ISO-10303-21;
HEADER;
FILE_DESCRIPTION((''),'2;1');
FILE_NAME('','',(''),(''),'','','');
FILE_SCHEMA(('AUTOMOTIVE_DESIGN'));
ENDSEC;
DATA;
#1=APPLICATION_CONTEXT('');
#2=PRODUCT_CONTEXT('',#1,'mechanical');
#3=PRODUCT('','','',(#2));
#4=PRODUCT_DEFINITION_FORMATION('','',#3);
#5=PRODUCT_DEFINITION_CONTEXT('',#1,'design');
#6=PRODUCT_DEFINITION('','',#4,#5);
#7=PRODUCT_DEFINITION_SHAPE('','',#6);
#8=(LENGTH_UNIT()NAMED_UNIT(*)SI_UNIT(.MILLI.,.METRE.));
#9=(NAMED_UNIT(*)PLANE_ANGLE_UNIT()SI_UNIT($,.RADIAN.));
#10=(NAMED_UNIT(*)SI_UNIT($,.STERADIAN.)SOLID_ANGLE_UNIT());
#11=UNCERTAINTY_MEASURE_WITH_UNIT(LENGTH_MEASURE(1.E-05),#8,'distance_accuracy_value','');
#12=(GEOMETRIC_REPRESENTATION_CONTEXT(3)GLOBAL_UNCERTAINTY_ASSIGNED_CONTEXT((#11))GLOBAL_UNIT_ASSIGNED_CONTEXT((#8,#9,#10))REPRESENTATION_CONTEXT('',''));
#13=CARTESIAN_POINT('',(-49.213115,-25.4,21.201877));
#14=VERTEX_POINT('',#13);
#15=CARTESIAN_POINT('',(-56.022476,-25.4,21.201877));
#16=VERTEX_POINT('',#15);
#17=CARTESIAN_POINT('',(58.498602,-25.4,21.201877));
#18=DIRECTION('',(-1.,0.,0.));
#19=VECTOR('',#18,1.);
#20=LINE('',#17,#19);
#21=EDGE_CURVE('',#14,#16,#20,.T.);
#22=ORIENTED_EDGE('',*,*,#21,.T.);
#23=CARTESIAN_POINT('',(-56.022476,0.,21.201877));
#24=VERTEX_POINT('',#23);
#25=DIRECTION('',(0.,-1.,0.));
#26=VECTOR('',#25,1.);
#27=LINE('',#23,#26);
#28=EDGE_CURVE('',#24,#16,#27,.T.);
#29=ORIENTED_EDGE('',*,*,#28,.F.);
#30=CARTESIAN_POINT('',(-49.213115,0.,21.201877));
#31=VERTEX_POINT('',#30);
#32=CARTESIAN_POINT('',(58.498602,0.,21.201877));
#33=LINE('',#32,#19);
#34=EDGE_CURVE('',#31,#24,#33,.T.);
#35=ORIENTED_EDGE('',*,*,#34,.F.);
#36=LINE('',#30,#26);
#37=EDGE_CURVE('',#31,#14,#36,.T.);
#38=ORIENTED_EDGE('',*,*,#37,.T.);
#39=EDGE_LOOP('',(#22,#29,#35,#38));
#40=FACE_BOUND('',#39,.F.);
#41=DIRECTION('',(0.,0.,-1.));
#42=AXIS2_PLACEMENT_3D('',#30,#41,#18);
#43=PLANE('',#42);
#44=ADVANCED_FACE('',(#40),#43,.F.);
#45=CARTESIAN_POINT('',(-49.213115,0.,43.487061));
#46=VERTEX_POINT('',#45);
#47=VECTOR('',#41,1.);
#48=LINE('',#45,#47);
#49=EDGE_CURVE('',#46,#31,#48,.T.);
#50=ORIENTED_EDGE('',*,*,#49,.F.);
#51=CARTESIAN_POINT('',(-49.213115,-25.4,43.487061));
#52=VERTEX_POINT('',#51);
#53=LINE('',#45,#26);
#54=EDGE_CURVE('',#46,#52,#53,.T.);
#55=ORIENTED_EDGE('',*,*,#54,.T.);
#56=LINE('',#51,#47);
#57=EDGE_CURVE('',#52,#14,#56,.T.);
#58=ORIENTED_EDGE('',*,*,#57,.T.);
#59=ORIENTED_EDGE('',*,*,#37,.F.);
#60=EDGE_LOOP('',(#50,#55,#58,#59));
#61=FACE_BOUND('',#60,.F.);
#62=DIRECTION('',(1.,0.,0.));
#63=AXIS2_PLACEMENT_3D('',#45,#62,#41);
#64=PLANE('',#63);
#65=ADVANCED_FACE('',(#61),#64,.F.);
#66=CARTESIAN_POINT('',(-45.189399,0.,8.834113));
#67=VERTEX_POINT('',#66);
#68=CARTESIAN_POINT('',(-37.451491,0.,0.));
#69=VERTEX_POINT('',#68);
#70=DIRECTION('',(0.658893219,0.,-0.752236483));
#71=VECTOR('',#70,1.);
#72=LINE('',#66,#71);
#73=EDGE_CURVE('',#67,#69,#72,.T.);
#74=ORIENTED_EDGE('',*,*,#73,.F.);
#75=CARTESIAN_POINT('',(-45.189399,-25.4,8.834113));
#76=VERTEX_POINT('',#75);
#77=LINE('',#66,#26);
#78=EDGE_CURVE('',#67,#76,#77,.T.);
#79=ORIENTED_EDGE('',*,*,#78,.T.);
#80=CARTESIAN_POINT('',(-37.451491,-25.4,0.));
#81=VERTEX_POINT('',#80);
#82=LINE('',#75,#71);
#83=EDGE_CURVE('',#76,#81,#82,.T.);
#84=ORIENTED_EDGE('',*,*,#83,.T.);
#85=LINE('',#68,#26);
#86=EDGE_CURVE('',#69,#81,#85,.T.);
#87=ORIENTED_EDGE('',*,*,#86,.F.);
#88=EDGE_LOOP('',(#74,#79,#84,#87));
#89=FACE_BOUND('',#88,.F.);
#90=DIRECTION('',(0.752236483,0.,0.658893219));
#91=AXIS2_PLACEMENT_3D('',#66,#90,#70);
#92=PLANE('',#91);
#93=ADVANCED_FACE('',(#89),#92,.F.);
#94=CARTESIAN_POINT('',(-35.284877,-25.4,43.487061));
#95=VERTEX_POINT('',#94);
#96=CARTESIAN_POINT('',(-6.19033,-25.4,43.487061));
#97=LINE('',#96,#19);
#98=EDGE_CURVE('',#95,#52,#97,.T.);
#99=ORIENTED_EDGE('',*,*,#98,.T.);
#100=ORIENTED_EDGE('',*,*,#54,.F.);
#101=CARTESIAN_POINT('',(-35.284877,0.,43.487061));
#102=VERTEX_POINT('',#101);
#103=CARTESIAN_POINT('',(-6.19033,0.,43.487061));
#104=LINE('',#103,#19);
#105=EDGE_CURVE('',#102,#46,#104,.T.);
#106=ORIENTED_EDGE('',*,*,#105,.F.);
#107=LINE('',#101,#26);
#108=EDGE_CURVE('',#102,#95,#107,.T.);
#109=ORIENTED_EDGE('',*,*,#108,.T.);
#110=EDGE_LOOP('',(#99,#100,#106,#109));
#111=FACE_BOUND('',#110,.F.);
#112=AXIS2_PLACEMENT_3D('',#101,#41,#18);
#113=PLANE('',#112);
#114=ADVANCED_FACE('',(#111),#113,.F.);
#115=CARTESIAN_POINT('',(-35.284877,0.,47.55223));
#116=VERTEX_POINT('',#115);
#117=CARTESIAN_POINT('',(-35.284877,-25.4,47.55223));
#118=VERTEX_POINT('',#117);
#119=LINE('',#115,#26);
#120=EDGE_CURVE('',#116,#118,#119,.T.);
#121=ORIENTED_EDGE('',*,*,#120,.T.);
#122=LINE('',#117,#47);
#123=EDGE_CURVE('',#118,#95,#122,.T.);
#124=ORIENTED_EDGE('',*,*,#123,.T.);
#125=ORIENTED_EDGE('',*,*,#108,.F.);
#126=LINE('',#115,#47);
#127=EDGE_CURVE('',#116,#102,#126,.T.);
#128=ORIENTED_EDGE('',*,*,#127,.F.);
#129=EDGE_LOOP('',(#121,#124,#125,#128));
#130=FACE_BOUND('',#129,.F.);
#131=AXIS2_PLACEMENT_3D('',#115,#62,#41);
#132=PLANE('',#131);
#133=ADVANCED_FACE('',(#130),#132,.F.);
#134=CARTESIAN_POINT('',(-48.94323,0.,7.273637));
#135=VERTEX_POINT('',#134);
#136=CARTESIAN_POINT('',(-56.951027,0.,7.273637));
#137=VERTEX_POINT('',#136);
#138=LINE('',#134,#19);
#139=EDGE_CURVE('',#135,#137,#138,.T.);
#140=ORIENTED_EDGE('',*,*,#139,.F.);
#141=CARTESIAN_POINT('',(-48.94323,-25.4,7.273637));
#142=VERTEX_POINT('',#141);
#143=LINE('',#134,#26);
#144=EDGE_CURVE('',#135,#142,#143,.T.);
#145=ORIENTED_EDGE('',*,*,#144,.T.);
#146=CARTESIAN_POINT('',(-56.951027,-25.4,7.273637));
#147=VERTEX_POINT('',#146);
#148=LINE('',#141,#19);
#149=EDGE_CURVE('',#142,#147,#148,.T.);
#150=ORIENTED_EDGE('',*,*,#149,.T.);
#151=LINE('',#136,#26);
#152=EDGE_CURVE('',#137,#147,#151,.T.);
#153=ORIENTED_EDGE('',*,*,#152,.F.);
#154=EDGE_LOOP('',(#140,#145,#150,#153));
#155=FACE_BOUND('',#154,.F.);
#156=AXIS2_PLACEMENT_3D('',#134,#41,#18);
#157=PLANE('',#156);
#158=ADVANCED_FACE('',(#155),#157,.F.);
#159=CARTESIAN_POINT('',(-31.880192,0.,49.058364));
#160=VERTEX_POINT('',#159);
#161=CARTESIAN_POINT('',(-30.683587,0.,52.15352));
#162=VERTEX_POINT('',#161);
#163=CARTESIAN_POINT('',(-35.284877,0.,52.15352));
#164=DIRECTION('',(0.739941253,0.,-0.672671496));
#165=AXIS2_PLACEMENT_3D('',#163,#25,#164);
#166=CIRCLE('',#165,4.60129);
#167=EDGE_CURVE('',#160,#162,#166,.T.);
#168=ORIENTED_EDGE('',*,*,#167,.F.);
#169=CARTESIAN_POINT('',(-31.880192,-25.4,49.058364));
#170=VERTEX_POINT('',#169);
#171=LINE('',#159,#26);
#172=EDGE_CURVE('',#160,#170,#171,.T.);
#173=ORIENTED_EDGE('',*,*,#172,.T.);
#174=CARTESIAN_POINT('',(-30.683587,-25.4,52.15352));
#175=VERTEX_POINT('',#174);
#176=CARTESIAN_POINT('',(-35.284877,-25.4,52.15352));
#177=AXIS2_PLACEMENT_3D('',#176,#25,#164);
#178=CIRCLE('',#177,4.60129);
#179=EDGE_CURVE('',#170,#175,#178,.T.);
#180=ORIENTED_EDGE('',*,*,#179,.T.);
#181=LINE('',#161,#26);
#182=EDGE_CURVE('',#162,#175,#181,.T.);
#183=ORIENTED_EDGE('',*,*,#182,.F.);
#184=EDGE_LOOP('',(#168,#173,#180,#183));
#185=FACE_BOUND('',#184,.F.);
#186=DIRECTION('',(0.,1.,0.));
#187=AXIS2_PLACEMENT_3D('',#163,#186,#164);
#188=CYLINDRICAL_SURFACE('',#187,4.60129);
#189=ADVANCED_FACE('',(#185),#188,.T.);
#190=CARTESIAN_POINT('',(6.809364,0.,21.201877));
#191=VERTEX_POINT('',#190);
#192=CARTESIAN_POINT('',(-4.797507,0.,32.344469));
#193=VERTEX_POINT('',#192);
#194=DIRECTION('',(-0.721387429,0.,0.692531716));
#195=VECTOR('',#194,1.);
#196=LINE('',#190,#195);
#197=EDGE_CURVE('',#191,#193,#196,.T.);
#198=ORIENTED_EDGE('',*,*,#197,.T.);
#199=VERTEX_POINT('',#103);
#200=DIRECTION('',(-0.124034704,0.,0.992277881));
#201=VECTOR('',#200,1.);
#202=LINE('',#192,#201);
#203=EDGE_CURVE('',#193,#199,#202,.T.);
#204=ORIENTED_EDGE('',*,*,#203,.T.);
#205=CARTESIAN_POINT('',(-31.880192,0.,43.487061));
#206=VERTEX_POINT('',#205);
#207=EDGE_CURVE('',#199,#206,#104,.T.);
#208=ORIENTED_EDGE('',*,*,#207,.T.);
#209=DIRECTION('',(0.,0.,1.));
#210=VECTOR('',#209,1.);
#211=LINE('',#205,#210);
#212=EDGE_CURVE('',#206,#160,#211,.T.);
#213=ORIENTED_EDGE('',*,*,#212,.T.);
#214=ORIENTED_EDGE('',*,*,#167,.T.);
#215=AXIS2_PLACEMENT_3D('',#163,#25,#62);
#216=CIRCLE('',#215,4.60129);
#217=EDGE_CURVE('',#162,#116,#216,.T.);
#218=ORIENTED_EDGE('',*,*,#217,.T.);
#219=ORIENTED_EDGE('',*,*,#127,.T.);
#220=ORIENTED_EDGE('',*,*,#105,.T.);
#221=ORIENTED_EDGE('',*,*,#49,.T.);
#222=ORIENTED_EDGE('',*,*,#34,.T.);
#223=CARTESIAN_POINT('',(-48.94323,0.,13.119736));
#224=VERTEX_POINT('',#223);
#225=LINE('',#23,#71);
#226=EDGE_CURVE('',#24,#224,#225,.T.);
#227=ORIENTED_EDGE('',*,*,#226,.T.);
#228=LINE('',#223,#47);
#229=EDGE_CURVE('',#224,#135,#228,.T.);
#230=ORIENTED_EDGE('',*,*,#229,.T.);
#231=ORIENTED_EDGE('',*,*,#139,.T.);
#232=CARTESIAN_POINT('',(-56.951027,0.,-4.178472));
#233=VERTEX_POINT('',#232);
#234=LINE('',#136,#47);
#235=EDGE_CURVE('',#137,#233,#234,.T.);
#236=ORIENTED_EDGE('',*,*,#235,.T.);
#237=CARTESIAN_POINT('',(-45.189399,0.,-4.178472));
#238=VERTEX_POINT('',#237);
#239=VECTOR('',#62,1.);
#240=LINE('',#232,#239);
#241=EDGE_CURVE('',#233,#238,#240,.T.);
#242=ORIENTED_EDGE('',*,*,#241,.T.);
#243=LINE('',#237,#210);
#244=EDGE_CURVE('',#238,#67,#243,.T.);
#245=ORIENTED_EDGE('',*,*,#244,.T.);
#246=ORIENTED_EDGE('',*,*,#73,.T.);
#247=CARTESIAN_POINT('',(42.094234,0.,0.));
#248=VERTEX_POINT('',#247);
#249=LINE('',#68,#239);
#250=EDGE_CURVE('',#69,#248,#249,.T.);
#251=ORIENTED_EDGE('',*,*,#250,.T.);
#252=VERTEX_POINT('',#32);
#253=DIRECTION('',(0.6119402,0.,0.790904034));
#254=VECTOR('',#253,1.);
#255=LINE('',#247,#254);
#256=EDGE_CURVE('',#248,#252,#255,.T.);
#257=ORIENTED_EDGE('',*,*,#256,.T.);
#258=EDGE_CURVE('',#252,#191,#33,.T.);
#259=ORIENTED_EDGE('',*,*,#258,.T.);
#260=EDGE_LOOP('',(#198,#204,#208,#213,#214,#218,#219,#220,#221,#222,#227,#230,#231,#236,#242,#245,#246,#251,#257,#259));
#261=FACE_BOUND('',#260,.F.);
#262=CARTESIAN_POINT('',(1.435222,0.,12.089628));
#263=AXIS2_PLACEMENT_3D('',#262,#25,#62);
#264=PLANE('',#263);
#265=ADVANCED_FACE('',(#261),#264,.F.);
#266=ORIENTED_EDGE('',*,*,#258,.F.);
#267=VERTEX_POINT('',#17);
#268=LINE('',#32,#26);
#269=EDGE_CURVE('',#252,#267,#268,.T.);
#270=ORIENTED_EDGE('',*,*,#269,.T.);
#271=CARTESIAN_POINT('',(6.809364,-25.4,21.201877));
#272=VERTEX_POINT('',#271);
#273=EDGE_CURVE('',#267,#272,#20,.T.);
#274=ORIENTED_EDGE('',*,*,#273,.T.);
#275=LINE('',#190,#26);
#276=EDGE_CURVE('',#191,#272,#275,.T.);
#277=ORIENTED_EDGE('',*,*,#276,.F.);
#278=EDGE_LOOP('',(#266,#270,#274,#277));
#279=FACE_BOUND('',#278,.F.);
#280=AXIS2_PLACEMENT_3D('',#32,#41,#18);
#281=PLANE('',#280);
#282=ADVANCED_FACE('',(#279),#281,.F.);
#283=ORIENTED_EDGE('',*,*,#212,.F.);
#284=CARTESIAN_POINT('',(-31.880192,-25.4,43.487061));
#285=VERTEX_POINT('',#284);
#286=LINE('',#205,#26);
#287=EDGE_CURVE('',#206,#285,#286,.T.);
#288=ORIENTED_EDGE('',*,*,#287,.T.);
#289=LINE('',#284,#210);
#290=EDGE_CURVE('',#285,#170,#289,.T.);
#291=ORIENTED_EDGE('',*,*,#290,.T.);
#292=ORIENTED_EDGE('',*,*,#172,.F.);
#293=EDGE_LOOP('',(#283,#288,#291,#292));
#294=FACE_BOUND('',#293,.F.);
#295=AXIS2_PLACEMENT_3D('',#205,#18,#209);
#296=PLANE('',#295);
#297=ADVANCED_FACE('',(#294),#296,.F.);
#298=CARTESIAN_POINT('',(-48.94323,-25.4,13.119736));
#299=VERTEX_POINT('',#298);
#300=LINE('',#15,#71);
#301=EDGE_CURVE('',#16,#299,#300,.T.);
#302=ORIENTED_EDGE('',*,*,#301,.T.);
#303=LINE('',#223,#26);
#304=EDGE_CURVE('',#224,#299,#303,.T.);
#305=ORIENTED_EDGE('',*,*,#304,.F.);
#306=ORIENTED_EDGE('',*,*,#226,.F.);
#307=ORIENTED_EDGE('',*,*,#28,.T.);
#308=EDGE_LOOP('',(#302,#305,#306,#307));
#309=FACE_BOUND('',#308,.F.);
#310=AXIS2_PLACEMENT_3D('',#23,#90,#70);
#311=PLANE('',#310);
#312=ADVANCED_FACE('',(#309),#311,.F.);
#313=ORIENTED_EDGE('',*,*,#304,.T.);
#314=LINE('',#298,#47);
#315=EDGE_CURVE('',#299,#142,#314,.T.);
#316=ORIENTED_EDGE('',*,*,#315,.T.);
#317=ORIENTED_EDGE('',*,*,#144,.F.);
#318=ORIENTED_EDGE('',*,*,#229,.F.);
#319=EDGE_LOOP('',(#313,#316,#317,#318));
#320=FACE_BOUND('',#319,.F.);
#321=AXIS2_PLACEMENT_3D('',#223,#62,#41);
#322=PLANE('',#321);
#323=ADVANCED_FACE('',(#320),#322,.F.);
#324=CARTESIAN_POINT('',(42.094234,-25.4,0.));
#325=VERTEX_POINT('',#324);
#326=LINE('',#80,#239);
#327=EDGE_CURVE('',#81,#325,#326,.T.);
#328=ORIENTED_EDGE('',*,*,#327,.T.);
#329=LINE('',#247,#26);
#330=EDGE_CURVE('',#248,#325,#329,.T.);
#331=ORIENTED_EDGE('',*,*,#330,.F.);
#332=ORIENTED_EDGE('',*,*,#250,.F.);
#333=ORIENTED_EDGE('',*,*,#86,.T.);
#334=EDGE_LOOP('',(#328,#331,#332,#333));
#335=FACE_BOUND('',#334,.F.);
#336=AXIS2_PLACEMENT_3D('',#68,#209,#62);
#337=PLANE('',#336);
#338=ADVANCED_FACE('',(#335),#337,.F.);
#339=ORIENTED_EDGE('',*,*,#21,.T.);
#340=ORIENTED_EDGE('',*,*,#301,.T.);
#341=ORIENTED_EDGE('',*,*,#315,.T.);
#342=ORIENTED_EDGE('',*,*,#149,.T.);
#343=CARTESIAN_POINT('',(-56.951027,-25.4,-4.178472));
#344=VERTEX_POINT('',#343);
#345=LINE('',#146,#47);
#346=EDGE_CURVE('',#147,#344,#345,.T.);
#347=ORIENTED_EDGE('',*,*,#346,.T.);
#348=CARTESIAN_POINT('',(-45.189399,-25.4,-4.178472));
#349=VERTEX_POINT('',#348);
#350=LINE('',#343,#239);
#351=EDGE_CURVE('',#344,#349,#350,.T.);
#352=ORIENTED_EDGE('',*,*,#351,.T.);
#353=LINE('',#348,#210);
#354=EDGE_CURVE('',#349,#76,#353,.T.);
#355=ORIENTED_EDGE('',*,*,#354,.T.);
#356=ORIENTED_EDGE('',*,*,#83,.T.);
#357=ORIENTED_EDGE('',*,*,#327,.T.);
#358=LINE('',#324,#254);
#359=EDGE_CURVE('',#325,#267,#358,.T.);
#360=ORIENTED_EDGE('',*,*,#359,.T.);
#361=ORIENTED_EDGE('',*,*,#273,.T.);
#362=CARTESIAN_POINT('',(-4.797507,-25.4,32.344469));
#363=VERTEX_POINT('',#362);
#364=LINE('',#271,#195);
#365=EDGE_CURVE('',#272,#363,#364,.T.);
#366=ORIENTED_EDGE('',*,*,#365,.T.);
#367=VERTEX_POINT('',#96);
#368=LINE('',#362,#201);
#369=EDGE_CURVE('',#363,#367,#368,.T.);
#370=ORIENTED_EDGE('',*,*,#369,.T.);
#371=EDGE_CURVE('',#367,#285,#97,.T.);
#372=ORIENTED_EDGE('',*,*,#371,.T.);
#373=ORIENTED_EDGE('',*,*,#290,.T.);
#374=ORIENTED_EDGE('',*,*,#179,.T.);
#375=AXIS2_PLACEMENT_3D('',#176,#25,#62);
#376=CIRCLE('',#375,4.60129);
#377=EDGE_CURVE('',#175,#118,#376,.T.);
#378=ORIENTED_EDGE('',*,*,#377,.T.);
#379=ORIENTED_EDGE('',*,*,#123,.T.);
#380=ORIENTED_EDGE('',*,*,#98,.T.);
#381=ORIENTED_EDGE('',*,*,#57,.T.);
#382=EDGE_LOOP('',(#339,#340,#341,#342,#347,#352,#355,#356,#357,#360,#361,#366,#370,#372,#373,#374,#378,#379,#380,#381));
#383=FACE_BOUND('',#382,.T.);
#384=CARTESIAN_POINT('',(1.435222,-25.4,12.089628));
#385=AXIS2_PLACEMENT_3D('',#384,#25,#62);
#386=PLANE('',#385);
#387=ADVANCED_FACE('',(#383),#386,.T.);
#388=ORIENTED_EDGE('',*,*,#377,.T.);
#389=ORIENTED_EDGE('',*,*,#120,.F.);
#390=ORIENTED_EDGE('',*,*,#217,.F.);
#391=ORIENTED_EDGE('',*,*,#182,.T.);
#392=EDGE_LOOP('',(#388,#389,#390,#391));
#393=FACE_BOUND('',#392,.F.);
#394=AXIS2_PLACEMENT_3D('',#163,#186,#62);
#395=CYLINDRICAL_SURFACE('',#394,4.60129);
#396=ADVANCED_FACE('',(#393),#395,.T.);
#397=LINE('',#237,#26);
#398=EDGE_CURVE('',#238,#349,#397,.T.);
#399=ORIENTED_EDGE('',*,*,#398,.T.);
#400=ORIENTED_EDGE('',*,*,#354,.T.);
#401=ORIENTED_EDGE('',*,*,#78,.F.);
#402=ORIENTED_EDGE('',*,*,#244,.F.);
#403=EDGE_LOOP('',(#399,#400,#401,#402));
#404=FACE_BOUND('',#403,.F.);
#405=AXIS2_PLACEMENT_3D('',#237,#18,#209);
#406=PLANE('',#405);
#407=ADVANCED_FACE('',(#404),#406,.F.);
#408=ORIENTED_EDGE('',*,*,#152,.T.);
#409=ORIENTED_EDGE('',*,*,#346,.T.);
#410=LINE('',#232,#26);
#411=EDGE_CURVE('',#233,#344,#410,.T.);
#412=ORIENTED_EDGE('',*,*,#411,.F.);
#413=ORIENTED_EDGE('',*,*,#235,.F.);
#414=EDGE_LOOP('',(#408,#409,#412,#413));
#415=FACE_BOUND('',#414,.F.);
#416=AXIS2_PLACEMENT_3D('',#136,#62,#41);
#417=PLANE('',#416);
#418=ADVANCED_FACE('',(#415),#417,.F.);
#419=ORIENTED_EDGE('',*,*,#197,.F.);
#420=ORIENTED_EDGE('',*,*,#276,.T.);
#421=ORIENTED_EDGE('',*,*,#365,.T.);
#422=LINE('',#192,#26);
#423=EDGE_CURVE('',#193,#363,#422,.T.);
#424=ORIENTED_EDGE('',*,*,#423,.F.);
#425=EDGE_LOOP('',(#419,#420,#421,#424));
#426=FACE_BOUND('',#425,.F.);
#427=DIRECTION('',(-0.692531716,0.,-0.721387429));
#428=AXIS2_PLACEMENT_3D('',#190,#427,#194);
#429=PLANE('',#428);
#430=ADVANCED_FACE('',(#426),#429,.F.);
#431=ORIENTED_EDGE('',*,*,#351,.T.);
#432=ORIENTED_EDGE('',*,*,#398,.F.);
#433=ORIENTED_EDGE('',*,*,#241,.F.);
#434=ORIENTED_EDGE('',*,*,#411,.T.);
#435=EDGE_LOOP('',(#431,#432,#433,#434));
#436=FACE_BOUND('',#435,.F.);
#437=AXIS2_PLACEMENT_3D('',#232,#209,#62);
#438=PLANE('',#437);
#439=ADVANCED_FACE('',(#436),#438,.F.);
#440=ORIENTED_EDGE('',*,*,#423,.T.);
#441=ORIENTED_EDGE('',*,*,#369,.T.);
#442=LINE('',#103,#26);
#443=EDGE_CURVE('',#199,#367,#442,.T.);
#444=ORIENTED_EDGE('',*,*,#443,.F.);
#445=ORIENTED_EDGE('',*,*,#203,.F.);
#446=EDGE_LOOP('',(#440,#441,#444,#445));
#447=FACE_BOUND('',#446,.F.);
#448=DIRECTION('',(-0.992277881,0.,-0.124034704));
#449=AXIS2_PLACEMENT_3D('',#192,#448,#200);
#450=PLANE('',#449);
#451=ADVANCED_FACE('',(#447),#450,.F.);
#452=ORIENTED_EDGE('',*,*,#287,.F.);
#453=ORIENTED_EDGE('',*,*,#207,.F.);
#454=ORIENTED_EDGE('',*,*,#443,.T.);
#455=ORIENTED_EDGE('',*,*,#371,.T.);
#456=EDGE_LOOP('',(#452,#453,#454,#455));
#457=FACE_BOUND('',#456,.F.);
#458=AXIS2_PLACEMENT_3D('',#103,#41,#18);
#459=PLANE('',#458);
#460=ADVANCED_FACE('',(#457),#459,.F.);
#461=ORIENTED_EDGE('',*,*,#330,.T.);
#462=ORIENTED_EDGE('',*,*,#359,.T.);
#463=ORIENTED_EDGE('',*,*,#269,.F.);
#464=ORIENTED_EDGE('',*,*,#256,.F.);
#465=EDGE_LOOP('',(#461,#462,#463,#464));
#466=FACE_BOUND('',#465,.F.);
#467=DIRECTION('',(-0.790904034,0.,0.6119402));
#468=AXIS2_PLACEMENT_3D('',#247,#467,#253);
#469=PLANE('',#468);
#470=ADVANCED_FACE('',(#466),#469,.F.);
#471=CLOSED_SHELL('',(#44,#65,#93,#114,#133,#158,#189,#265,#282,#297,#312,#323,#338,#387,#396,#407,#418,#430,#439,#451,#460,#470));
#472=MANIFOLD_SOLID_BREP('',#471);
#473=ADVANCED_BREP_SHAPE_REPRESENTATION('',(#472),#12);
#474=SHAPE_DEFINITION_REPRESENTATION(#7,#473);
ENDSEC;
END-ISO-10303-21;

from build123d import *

# Parameters (mm, degrees)
F1_DEPTH = 25.4


with BuildPart() as f1:
    # F0 (on Front) → F1 (new body)
    with BuildSketch(Plane.XZ):
        Polygon((-49.2131151259, 21.2018769234), (-56.0224764049, 21.2018769234), (-48.9432296743, 13.1197362788), (-45.1893992722, 8.8341129038), (-37.4514907598, 0), (42.0942343771, 0), (58.4986023605, 21.2018769234), (6.8093636073, 21.2018769234), (-3.4046829678, 21.2018769234), align=None)
        Polygon((-45.1893992722, 8.8341129038), (-48.9432296743, 13.1197362788), (-48.9432296743, 7.2736367583), (-56.9510273635, 7.2736367583), (-56.9510273635, -4.1784718633), (-45.1893992722, -4.1784718633), align=None)
        Polygon((-49.2131151259, 43.4870608151), (-49.2131151259, 21.2018769234), (-3.4046829678, 21.2018769234), (-4.7975066118, 32.3444688693), (-6.1903302558, 43.4870608151), (-31.8801924586, 43.4870608151), (-35.2848768234, 43.4870608151), align=None)
        Polygon((-4.7975066118, 32.3444688693), (-3.4046829678, 21.2018769234), (6.8093636073, 21.2018769234), align=None)
        with BuildLine():
            Line((-35.2848768234, 47.5522301825), (-35.2848768234, 43.4870608151))
            Line((-35.2848768234, 43.4870608151), (-31.8801924586, 43.4870608151))
            Line((-31.8801924586, 43.4870608151), (-31.8801924586, 49.0583635867))
            ThreePointArc((-31.8801924586, 49.0583635867), (-33.4234047275, 47.9455763399), (-35.2848768234, 47.5522301825))
        make_face()
        with BuildLine():
            ThreePointArc((-30.6835867198, 52.1535202861), (-38.5384802579, 55.4071237206), (-35.2848768234, 47.5522301825))
            Line((-35.2848768234, 47.5522301825), (-35.2848768234, 52.1535202861))
            Line((-35.2848768234, 52.1535202861), (-31.8801924586, 52.1535202861))
            Line((-31.8801924586, 52.1535202861), (-31.8801924586, 49.0583635867))
            ThreePointArc((-31.8801924586, 49.0583635867), (-30.9931515822, 50.4943141289), (-30.6835867198, 52.1535202861))
        make_face()
        with BuildLine():
            Line((-35.2848768234, 52.1535202861), (-35.2848768234, 47.5522301825))
            ThreePointArc((-35.2848768234, 47.5522301825), (-33.4234047275, 47.9455763399), (-31.8801924586, 49.0583635867))
            Line((-31.8801924586, 49.0583635867), (-31.8801924586, 52.1535202861))
            Line((-31.8801924586, 52.1535202861), (-35.2848768234, 52.1535202861))
        make_face()
    extrude(amount=F1_DEPTH)


solid = f1.part
